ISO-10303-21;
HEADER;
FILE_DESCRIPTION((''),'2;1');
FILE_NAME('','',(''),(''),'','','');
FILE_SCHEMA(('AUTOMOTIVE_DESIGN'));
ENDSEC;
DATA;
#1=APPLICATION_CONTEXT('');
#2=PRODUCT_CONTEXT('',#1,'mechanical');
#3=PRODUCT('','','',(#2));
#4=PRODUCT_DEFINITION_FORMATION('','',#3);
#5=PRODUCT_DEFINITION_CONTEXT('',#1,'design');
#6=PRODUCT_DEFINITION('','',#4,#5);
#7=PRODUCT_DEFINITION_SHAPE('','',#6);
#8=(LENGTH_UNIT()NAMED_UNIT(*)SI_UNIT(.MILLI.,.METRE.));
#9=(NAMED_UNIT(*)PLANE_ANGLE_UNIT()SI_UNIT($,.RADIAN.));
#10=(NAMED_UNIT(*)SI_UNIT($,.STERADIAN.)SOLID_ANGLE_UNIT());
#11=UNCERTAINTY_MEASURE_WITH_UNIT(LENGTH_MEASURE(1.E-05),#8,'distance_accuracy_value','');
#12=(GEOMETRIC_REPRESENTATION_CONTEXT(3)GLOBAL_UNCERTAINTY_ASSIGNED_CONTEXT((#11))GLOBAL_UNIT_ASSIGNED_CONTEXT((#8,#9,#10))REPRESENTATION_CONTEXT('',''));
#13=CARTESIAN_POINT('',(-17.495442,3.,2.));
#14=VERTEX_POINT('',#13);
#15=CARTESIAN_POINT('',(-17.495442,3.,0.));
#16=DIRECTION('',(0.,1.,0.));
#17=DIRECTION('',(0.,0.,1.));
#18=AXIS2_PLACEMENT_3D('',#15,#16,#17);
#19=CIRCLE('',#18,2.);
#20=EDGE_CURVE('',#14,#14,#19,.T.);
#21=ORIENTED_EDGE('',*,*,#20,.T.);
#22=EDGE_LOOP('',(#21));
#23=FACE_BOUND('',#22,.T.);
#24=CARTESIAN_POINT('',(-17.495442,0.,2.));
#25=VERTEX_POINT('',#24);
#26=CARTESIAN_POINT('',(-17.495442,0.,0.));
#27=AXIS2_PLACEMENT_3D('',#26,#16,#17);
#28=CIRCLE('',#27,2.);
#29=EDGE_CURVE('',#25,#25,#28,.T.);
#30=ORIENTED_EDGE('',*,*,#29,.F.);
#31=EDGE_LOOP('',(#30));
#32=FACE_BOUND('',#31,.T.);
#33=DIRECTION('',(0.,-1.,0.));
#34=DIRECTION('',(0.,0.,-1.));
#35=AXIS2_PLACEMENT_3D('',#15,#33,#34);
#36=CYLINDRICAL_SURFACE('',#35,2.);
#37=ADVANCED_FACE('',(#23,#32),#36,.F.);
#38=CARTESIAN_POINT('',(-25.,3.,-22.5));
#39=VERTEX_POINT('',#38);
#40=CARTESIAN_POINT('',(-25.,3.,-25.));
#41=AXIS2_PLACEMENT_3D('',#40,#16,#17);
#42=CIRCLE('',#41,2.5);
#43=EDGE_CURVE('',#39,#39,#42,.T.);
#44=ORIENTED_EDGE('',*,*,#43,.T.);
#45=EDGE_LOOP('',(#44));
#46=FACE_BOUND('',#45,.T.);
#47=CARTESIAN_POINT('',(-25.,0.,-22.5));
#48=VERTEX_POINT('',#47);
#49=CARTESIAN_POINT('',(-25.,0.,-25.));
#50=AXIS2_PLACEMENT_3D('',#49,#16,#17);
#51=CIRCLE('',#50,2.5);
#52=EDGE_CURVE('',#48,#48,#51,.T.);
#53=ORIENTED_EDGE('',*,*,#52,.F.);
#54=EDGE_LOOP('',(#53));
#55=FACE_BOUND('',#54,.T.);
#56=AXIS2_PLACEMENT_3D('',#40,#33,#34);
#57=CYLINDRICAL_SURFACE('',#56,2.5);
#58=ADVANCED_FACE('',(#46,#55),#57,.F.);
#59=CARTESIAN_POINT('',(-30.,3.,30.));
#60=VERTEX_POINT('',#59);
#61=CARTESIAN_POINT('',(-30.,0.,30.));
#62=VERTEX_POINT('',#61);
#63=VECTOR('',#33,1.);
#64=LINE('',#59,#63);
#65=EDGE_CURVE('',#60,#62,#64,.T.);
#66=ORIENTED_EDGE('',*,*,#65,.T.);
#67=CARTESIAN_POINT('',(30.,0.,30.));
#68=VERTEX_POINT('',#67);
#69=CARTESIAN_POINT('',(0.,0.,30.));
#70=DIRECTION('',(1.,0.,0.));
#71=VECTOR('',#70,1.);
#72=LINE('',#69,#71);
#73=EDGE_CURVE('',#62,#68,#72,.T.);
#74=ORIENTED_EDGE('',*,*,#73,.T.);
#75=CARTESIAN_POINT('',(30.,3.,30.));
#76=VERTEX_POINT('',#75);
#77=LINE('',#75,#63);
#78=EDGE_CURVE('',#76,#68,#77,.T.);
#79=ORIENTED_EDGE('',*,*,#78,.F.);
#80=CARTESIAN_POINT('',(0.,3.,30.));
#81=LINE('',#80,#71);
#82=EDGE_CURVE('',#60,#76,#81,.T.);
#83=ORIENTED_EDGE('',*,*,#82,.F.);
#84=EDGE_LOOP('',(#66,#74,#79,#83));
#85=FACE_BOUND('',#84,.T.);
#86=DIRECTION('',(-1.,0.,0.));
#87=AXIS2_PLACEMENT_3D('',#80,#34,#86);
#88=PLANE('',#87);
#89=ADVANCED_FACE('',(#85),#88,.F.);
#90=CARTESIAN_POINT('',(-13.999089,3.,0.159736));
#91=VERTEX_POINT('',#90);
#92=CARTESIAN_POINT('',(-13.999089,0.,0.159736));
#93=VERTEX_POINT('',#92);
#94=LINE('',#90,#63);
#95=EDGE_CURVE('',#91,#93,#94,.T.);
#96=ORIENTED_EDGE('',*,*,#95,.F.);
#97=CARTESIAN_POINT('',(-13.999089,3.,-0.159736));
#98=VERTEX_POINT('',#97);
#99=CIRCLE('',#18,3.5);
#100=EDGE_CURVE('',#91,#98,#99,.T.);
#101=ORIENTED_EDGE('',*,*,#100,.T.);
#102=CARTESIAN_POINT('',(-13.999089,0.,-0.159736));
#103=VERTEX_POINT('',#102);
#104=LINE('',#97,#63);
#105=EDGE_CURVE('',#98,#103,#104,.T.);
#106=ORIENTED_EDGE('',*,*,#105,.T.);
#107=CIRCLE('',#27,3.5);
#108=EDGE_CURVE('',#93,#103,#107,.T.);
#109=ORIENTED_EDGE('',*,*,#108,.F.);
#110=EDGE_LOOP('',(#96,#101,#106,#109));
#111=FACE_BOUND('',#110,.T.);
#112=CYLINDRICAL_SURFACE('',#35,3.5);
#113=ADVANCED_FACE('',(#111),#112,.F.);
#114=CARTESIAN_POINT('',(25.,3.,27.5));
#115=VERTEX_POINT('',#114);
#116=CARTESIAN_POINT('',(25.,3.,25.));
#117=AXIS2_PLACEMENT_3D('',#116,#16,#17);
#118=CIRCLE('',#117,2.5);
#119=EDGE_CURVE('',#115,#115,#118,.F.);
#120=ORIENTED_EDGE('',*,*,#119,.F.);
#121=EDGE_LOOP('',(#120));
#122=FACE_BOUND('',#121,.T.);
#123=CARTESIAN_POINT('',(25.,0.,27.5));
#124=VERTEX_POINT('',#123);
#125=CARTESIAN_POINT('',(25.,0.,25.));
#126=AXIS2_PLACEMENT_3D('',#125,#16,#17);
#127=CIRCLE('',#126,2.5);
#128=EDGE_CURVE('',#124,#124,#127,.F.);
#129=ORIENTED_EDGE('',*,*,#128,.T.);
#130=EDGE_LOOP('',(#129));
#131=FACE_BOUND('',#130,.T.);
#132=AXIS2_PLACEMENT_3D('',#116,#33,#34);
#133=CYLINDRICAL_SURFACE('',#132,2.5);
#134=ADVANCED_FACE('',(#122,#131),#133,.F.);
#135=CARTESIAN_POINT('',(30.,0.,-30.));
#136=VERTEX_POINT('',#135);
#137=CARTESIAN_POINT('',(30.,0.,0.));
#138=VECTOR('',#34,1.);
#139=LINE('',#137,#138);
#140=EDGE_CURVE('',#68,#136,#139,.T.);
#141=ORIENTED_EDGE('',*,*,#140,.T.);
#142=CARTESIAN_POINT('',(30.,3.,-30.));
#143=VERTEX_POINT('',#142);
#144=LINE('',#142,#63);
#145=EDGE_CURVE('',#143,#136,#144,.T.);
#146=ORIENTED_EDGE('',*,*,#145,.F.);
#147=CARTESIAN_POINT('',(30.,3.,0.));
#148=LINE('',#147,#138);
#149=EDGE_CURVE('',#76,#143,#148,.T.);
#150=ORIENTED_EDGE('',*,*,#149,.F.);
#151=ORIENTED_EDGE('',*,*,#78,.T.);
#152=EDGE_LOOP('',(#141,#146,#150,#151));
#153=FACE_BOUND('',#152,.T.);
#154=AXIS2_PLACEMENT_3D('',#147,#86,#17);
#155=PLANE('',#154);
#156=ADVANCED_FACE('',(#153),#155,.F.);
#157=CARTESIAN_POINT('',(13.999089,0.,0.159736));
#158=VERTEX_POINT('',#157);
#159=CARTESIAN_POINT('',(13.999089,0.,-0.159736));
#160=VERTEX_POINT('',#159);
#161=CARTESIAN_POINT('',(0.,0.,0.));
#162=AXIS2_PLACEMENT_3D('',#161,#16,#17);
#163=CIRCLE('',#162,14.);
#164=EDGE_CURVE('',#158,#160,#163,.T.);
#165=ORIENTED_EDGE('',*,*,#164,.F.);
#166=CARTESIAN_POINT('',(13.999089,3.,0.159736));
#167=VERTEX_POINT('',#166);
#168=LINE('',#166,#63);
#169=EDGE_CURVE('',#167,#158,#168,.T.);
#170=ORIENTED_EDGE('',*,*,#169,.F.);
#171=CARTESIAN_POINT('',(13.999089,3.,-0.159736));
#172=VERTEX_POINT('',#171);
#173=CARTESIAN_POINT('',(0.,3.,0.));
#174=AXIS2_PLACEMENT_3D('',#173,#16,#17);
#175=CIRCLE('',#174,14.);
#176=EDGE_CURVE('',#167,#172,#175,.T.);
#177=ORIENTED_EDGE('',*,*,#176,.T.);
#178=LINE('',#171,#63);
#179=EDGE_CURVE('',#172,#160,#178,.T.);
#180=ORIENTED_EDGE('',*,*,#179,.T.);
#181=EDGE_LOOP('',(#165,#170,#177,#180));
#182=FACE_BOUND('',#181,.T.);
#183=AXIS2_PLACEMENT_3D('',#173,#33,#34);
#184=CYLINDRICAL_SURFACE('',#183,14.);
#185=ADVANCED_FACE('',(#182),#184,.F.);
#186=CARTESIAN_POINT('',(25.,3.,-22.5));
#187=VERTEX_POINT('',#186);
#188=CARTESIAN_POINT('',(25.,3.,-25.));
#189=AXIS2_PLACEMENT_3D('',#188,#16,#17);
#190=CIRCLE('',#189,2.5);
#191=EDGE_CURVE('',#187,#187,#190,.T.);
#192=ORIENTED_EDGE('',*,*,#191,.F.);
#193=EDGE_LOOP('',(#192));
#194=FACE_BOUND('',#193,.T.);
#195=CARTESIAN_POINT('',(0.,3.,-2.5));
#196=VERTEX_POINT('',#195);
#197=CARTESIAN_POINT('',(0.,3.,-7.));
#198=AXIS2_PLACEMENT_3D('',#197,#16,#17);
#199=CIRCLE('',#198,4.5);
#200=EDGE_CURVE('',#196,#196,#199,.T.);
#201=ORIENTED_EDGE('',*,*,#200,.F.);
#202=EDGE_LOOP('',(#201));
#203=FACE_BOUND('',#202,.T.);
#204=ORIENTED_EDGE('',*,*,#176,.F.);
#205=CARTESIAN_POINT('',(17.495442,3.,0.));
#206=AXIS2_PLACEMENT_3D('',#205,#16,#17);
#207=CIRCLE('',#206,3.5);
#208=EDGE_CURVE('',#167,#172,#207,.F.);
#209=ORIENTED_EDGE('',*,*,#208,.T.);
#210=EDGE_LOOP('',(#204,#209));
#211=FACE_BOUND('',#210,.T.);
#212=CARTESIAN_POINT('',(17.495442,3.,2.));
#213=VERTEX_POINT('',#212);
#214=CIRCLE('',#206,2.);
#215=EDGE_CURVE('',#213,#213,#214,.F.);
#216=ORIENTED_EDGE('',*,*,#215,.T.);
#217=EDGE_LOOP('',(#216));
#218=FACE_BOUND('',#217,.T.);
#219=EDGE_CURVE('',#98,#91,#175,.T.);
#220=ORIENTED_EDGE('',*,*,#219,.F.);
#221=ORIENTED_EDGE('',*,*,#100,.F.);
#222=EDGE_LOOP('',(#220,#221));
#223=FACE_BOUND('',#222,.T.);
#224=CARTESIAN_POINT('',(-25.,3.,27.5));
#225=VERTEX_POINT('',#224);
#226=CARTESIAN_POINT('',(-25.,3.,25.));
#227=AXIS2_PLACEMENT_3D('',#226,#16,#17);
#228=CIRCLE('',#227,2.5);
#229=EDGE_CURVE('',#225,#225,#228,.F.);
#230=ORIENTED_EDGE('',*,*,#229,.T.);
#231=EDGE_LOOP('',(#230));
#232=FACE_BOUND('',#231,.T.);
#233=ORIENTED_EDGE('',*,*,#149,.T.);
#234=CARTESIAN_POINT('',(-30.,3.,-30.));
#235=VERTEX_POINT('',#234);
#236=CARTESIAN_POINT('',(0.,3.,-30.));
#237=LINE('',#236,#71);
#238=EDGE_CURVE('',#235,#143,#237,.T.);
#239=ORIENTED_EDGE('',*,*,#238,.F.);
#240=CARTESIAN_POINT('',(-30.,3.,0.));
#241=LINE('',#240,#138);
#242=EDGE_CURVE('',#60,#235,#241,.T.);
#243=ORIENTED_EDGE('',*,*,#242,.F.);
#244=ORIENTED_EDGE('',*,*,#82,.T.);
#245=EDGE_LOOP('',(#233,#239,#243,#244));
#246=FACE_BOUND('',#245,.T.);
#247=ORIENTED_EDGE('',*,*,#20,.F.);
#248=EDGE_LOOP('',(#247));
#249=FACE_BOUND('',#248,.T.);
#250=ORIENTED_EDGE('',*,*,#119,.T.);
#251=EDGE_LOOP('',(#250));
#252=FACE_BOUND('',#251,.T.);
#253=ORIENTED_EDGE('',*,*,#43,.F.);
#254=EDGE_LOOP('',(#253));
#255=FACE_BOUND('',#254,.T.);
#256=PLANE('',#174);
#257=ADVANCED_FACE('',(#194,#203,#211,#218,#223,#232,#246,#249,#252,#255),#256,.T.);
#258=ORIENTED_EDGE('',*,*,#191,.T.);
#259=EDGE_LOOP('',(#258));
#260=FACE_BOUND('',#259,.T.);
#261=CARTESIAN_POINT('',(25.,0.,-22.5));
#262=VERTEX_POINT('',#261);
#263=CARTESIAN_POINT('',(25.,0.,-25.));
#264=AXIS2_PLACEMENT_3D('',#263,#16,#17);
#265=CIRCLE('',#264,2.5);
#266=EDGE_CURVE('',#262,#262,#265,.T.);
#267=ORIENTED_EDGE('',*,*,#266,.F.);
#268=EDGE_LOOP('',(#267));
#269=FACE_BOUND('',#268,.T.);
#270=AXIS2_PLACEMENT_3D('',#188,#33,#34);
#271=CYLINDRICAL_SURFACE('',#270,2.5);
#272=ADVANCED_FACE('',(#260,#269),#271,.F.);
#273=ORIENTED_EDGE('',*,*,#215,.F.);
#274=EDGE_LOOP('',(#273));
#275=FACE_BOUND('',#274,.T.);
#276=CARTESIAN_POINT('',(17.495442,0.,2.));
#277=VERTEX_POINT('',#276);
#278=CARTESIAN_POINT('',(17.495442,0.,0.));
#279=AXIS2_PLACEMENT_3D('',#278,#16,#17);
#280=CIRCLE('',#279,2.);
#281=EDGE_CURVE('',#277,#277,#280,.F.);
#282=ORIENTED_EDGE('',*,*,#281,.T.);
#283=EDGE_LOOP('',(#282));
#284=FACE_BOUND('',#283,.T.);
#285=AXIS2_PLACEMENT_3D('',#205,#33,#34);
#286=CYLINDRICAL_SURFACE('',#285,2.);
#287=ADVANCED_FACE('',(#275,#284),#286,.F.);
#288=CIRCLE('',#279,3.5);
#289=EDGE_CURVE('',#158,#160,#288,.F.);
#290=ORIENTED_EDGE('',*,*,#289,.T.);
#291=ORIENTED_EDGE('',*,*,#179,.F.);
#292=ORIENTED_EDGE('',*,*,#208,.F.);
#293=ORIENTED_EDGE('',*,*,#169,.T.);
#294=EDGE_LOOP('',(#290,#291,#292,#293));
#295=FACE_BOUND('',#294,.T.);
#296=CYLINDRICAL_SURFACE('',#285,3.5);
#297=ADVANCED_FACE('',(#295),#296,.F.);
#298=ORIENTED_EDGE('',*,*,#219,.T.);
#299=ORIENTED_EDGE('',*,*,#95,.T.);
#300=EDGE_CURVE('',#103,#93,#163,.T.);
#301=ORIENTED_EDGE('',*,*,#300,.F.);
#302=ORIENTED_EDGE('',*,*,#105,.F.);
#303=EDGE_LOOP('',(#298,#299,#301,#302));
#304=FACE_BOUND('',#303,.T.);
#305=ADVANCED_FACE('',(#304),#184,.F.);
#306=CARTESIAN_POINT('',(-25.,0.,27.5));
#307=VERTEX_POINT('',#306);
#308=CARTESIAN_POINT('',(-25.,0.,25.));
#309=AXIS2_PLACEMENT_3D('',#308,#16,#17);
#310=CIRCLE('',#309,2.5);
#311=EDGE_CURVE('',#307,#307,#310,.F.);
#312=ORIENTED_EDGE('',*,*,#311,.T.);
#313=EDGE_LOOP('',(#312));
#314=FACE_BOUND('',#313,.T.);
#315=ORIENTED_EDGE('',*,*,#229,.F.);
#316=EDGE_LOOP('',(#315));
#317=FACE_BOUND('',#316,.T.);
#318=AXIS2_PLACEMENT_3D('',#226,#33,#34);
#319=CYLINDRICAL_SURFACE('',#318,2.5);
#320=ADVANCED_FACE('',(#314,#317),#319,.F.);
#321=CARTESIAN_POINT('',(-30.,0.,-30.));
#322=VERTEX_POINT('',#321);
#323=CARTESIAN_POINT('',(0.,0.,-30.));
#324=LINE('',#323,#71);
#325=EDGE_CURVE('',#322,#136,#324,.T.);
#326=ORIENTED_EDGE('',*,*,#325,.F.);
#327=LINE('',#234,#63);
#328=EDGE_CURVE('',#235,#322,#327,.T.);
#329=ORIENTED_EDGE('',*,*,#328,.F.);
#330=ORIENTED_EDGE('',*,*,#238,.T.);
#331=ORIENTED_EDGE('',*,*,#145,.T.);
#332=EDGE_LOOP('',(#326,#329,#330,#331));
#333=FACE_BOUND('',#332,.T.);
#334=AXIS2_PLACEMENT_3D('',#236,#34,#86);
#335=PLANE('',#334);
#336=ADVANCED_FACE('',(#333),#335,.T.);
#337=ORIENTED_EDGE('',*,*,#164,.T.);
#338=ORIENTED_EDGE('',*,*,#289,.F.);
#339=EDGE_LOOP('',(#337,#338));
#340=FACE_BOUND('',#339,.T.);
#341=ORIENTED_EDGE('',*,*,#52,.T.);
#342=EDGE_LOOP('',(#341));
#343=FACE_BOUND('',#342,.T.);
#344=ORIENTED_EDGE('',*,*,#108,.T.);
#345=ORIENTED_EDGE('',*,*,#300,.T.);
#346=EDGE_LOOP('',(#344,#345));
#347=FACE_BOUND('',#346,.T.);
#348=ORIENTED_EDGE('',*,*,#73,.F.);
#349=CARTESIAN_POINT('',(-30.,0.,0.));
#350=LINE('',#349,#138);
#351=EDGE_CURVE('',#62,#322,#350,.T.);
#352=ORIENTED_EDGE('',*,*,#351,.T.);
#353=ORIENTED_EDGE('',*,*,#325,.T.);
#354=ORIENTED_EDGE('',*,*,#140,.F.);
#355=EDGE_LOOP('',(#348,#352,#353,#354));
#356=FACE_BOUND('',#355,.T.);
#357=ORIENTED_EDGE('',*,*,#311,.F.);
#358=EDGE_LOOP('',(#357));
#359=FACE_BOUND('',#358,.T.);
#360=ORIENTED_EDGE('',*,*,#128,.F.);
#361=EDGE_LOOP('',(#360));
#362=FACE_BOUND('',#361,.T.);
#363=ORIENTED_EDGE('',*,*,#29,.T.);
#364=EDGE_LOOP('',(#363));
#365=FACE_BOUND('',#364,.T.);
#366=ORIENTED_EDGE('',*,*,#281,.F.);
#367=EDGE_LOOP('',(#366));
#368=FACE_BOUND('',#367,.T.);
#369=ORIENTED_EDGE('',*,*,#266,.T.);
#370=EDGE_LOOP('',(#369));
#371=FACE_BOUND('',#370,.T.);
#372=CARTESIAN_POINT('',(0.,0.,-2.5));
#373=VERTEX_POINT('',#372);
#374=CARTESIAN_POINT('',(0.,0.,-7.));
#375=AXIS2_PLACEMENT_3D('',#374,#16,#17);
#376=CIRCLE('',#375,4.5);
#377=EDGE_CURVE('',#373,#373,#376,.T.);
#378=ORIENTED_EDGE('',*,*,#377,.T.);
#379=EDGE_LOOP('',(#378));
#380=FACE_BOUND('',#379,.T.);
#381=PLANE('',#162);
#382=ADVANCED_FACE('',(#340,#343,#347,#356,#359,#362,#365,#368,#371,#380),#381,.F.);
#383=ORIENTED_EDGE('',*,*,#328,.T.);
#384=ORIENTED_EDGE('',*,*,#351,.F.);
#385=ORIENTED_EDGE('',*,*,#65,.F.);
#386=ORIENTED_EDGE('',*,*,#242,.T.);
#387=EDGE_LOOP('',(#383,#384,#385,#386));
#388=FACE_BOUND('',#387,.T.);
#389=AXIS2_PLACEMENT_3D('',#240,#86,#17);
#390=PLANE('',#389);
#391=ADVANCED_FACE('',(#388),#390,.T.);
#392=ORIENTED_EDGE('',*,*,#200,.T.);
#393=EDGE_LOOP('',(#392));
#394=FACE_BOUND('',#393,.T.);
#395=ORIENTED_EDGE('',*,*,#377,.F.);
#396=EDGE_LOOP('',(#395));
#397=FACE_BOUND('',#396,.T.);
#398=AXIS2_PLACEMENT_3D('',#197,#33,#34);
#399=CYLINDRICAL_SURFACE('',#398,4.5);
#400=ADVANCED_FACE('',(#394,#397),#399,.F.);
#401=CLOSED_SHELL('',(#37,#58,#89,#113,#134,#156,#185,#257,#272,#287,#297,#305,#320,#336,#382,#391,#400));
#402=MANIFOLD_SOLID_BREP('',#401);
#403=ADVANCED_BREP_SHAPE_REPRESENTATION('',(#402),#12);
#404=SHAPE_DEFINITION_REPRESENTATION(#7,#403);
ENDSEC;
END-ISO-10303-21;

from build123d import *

# Parameters (mm, degrees)
SKETCH1_W           = 60
SKETCH1_H           = 60
SKETCH1_R           = 2.5
SKETCH1_R_2         = 4.5
SKETCH1_R_3         = 2
BOSS_EXTRUDE1_DEPTH = 3


with BuildPart() as part:
    # Sketch1 → Boss-Extrude1 (new body)
    with BuildSketch(Plane(origin=(0, 0, 0), x_dir=(1, 0, 0), z_dir=(0, 1, 0))):
        Rectangle(SKETCH1_W, SKETCH1_H)
        with Locations((-25, -25)):
            Circle(SKETCH1_R, mode=Mode.SUBTRACT)
        with Locations((25, -25)):
            Circle(SKETCH1_R, mode=Mode.SUBTRACT)
        with BuildLine():
            Line((-13.555441712, -3.5), (-17.495441712, -3.5))
            ThreePointArc((-17.495441712, -3.5), (-20.995441712, 0), (-17.495441712, 3.5))
            Line((-17.495441712, 3.5), (-13.555441712, 3.5))
            ThreePointArc((-13.555441712, 3.5), (0, 14), (13.555441712, 3.5))
            Line((13.555441712, 3.5), (17.495441712, 3.5))
            ThreePointArc((17.495441712, 3.5), (20.995441712, 0), (17.495441712, -3.5))
            Line((17.495441712, -3.5), (13.555441712, -3.5))
            ThreePointArc((13.555441712, -3.5), (0, -14), (-13.555441712, -3.5))
        make_face(mode=Mode.SUBTRACT)
        with Locations((-25, 25)):
            Circle(SKETCH1_R, mode=Mode.SUBTRACT)
        with Locations((25, 25)):
            Circle(SKETCH1_R, mode=Mode.SUBTRACT)
        with BuildLine():
            ThreePointArc((-13.999088699, -0.159736057), (-13.878125858, -1.843264133), (-13.555441712, -3.5))
            ThreePointArc((-13.555441712, -3.5), (0, -14), (13.555441712, -3.5))
            ThreePointArc((13.555441712, -3.5), (13.878125858, -1.843264133), (13.999088699, -0.159736057))
            ThreePointArc((13.999088699, -0.159736057), (13.995441712, 0), (13.999088699, 0.159736057))
            ThreePointArc((13.999088699, 0.159736057), (13.878125858, 1.843264133), (13.555441712, 3.5))
            ThreePointArc((13.555441712, 3.5), (0, 14), (-13.555441712, 3.5))
            ThreePointArc((-13.555441712, 3.5), (-13.878125858, 1.843264133), (-13.999088699, 0.159736057))
            ThreePointArc((-13.999088699, 0.159736057), (-13.995441712, 0), (-13.999088699, -0.159736057))
        make_face()
        with Locations((0, 7)):
            Circle(SKETCH1_R_2, mode=Mode.SUBTRACT)
        with BuildLine():
            ThreePointArc((-17.495441712, 3.5), (-20.995441712, 0), (-17.495441712, -3.5))
            Line((-17.495441712, -3.5), (-13.555441712, -3.5))
            ThreePointArc((-13.555441712, -3.5), (-13.878125858, -1.843264133), (-13.999088699, -0.159736057))
            ThreePointArc((-13.999088699, -0.159736057), (-14, 0), (-13.999088699, 0.159736057))
            ThreePointArc((-13.999088699, 0.159736057), (-13.878125858, 1.843264133), (-13.555441712, 3.5))
            Line((-13.555441712, 3.5), (-17.495441712, 3.5))
        make_face()
        with Locations((-17.495441712, 0)):
            Circle(SKETCH1_R_3, mode=Mode.SUBTRACT)
        with BuildLine():
            ThreePointArc((13.999088699, -0.159736057), (13.878125858, -1.843264133), (13.555441712, -3.5))
            Line((13.555441712, -3.5), (17.495441712, -3.5))
            ThreePointArc((17.495441712, -3.5), (20.995441712, 0), (17.495441712, 3.5))
            Line((17.495441712, 3.5), (13.555441712, 3.5))
            ThreePointArc((13.555441712, 3.5), (13.878125858, 1.843264133), (13.999088699, 0.159736057))
            ThreePointArc((13.999088699, 0.159736057), (13.999772173, 0.079869328), (14, 0))
            ThreePointArc((14, 0), (13.999772173, -0.079869328), (13.999088699, -0.159736057))
        make_face()
        with Locations((17.495441712, 0)):
            Circle(SKETCH1_R_3, mode=Mode.SUBTRACT)
    extrude(amount=BOSS_EXTRUDE1_DEPTH)


solid = part.part
